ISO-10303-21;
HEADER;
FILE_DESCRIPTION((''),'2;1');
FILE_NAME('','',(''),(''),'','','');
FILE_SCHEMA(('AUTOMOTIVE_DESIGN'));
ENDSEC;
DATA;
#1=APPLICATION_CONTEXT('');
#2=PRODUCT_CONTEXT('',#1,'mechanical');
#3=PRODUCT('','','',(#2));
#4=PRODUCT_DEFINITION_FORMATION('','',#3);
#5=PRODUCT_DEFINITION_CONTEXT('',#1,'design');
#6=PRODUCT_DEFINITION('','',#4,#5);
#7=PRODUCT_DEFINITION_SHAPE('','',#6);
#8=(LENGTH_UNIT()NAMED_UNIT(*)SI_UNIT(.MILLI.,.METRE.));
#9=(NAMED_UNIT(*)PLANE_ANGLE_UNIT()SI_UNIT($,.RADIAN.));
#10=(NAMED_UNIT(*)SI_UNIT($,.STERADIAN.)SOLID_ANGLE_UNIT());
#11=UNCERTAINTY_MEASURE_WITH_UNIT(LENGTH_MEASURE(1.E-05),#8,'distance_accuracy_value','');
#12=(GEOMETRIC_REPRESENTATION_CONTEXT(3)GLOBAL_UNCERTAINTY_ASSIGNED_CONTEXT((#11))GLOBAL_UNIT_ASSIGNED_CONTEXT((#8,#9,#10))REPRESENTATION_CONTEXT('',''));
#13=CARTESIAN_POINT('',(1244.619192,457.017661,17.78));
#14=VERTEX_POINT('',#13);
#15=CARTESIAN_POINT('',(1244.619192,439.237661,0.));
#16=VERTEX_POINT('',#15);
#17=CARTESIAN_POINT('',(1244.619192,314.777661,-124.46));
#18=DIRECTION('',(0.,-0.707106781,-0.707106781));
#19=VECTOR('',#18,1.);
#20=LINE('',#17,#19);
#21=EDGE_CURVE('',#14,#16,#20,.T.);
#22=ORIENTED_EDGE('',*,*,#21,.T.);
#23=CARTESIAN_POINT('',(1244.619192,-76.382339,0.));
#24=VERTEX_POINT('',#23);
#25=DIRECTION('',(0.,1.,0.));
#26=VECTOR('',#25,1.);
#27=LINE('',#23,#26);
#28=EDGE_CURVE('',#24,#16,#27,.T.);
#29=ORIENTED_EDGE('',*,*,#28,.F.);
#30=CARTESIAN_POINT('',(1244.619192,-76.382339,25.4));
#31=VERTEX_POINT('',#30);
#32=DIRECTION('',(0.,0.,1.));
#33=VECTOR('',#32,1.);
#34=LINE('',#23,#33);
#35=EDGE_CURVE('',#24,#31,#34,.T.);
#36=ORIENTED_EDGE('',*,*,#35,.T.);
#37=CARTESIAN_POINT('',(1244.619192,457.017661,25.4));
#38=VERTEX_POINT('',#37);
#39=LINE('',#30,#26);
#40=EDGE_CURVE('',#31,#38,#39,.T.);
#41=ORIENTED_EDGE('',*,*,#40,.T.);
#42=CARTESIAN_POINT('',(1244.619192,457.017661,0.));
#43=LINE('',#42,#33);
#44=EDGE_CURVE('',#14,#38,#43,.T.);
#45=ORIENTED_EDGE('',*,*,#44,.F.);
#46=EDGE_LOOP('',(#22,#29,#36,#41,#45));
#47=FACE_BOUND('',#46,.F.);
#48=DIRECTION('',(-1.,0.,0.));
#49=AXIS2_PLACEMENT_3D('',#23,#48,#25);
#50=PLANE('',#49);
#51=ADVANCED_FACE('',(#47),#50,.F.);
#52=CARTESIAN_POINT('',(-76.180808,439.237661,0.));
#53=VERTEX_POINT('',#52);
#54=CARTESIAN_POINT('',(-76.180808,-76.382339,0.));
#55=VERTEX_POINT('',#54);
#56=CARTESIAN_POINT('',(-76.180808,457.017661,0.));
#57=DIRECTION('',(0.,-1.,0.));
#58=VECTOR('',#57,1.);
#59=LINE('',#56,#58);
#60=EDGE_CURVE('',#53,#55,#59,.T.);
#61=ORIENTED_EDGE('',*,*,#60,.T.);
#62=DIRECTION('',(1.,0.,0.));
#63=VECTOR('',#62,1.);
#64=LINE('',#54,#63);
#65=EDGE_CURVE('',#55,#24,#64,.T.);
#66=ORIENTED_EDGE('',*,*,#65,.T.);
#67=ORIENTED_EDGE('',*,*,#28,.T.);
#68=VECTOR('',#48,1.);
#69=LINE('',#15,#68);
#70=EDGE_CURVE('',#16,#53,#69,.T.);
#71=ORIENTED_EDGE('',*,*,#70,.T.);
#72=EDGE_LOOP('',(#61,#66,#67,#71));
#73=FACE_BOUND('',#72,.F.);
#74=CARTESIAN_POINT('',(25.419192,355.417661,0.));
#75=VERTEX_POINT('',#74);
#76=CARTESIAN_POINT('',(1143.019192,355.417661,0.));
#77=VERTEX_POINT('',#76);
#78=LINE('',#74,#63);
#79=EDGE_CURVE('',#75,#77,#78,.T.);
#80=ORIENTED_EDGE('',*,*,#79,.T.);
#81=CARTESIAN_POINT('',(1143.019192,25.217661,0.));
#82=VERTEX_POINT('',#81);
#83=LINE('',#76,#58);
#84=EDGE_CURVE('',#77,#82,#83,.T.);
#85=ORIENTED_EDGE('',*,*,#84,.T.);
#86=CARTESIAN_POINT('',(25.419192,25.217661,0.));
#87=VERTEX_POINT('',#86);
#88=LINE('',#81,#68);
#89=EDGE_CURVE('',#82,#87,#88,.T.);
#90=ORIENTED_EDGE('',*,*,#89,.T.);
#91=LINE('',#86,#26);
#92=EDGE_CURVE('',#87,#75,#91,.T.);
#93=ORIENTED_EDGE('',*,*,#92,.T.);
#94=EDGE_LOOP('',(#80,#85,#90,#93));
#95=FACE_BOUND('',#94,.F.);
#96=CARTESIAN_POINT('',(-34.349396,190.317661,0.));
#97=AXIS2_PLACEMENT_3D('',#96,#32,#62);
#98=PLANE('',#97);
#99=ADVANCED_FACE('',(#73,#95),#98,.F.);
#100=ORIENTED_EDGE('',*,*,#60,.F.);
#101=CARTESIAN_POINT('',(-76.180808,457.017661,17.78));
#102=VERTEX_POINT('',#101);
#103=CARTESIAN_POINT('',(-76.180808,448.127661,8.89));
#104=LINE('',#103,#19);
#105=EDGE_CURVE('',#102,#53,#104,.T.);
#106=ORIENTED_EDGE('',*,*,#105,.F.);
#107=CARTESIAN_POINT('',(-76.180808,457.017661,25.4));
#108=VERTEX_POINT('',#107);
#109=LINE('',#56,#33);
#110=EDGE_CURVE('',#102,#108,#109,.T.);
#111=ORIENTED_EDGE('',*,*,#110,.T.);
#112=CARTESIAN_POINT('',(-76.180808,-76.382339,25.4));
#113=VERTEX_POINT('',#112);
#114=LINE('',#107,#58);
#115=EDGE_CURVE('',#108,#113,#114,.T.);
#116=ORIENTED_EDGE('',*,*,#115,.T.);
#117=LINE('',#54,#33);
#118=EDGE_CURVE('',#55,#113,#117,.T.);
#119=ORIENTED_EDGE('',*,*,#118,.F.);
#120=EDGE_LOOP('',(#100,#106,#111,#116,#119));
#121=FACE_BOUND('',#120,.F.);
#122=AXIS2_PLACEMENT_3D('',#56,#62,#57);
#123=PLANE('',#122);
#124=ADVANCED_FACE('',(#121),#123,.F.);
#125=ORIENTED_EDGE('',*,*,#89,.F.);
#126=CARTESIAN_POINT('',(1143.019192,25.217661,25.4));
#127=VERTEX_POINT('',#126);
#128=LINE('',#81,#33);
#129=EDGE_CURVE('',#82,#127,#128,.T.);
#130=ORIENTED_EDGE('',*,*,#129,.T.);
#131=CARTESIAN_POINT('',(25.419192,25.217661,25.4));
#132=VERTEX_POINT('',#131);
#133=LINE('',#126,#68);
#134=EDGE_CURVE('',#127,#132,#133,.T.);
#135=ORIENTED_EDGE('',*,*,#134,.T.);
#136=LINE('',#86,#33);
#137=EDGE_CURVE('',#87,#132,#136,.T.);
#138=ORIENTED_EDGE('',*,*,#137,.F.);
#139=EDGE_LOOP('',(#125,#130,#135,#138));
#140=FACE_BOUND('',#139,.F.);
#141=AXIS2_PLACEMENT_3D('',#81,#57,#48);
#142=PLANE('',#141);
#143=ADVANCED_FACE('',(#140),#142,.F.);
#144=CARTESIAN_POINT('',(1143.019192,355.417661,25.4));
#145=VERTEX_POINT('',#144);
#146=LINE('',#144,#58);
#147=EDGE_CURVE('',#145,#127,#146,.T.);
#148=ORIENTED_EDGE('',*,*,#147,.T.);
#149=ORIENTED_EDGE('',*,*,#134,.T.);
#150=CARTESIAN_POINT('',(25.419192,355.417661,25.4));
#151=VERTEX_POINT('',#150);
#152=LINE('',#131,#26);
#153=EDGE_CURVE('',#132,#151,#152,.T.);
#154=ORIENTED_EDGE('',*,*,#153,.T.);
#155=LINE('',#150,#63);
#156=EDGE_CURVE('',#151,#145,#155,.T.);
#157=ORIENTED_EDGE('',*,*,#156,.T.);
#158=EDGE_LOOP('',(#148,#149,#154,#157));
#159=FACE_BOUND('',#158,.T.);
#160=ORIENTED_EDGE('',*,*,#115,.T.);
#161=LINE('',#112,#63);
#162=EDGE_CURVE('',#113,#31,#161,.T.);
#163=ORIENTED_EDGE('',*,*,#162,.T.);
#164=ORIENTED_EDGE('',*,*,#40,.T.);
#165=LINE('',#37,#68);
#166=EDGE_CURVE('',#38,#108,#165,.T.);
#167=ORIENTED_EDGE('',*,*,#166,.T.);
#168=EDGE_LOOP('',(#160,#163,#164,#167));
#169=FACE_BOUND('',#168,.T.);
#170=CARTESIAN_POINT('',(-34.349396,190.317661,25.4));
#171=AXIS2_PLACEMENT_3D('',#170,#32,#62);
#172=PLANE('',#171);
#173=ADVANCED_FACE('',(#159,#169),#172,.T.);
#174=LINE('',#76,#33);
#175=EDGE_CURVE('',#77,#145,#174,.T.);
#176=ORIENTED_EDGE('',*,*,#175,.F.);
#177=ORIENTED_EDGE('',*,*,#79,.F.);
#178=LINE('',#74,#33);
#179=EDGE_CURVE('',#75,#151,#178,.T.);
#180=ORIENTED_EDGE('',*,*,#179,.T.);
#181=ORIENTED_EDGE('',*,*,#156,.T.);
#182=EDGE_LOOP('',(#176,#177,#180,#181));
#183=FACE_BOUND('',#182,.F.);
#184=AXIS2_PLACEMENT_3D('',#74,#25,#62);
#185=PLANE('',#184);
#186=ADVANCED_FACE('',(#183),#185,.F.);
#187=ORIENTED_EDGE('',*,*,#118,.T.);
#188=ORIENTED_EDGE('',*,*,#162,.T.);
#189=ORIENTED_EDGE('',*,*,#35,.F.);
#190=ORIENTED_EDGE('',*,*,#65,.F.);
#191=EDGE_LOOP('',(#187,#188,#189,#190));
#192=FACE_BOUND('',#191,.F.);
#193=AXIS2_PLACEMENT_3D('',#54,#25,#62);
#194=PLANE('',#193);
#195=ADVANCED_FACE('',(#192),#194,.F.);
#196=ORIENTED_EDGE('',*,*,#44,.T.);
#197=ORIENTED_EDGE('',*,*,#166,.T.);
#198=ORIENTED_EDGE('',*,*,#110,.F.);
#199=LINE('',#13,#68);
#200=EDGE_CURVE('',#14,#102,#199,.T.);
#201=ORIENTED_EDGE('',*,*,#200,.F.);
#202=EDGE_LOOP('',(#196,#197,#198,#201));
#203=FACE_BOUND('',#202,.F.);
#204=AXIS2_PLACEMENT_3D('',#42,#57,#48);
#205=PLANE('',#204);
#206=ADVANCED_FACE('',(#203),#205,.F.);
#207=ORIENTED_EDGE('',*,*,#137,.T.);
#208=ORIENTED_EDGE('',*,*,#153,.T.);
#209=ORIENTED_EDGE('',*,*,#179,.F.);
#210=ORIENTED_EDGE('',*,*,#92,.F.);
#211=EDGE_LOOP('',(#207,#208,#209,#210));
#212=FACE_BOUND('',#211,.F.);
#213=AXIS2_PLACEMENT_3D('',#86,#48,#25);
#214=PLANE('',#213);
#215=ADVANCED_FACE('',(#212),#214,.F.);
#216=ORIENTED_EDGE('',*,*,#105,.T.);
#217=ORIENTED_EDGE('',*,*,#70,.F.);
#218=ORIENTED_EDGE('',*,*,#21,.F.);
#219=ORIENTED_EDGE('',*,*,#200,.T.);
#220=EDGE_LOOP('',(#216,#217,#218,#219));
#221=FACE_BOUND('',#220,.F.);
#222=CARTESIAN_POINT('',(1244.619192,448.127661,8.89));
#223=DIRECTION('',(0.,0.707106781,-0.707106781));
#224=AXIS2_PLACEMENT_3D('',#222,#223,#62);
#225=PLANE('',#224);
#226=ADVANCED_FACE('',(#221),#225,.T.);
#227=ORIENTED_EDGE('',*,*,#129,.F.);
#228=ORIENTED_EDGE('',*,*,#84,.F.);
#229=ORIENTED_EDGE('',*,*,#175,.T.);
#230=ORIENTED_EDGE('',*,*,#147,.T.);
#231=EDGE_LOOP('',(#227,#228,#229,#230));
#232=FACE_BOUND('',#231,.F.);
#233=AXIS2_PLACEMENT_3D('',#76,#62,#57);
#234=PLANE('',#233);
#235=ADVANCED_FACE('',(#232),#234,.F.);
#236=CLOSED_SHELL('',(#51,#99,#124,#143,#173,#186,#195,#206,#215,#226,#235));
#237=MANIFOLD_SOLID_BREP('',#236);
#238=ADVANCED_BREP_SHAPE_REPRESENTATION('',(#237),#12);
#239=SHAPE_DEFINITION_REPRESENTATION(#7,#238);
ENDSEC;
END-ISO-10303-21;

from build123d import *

# Parameters (mm, degrees)
F1_DEPTH = 25.4
F2_SIZE  = 17.78


with BuildPart() as f1:
    # F0 (on Top) → F1 (new body)
    with BuildSketch(Plane.XY):
        Polygon((25.419192, 355.417661), (-76.180808, 457.017661), (-76.180808, -76.382339), (25.419192, 25.217661), align=None)
        Polygon((1244.619192, 457.017661), (-76.180808, 457.017661), (25.419192, 355.417661), (1143.019192, 355.417661), align=None)
        Polygon((1244.619192, -76.382339), (1244.619192, 457.017661), (1143.019192, 355.417661), (1143.019192, 25.217661), align=None)
        Polygon((25.419192, 25.217661), (-76.180808, -76.382339), (1244.619192, -76.382339), (1143.019192, 25.217661), align=None)
    extrude(amount=F1_DEPTH)

    # F2
    f2_edges = [f1.edges().sort_by_distance(p)[0] for p in [
        (584.219192, 457.017661, 0),
    ]]
    chamfer(f2_edges, length=F2_SIZE)


solid = f1.part
